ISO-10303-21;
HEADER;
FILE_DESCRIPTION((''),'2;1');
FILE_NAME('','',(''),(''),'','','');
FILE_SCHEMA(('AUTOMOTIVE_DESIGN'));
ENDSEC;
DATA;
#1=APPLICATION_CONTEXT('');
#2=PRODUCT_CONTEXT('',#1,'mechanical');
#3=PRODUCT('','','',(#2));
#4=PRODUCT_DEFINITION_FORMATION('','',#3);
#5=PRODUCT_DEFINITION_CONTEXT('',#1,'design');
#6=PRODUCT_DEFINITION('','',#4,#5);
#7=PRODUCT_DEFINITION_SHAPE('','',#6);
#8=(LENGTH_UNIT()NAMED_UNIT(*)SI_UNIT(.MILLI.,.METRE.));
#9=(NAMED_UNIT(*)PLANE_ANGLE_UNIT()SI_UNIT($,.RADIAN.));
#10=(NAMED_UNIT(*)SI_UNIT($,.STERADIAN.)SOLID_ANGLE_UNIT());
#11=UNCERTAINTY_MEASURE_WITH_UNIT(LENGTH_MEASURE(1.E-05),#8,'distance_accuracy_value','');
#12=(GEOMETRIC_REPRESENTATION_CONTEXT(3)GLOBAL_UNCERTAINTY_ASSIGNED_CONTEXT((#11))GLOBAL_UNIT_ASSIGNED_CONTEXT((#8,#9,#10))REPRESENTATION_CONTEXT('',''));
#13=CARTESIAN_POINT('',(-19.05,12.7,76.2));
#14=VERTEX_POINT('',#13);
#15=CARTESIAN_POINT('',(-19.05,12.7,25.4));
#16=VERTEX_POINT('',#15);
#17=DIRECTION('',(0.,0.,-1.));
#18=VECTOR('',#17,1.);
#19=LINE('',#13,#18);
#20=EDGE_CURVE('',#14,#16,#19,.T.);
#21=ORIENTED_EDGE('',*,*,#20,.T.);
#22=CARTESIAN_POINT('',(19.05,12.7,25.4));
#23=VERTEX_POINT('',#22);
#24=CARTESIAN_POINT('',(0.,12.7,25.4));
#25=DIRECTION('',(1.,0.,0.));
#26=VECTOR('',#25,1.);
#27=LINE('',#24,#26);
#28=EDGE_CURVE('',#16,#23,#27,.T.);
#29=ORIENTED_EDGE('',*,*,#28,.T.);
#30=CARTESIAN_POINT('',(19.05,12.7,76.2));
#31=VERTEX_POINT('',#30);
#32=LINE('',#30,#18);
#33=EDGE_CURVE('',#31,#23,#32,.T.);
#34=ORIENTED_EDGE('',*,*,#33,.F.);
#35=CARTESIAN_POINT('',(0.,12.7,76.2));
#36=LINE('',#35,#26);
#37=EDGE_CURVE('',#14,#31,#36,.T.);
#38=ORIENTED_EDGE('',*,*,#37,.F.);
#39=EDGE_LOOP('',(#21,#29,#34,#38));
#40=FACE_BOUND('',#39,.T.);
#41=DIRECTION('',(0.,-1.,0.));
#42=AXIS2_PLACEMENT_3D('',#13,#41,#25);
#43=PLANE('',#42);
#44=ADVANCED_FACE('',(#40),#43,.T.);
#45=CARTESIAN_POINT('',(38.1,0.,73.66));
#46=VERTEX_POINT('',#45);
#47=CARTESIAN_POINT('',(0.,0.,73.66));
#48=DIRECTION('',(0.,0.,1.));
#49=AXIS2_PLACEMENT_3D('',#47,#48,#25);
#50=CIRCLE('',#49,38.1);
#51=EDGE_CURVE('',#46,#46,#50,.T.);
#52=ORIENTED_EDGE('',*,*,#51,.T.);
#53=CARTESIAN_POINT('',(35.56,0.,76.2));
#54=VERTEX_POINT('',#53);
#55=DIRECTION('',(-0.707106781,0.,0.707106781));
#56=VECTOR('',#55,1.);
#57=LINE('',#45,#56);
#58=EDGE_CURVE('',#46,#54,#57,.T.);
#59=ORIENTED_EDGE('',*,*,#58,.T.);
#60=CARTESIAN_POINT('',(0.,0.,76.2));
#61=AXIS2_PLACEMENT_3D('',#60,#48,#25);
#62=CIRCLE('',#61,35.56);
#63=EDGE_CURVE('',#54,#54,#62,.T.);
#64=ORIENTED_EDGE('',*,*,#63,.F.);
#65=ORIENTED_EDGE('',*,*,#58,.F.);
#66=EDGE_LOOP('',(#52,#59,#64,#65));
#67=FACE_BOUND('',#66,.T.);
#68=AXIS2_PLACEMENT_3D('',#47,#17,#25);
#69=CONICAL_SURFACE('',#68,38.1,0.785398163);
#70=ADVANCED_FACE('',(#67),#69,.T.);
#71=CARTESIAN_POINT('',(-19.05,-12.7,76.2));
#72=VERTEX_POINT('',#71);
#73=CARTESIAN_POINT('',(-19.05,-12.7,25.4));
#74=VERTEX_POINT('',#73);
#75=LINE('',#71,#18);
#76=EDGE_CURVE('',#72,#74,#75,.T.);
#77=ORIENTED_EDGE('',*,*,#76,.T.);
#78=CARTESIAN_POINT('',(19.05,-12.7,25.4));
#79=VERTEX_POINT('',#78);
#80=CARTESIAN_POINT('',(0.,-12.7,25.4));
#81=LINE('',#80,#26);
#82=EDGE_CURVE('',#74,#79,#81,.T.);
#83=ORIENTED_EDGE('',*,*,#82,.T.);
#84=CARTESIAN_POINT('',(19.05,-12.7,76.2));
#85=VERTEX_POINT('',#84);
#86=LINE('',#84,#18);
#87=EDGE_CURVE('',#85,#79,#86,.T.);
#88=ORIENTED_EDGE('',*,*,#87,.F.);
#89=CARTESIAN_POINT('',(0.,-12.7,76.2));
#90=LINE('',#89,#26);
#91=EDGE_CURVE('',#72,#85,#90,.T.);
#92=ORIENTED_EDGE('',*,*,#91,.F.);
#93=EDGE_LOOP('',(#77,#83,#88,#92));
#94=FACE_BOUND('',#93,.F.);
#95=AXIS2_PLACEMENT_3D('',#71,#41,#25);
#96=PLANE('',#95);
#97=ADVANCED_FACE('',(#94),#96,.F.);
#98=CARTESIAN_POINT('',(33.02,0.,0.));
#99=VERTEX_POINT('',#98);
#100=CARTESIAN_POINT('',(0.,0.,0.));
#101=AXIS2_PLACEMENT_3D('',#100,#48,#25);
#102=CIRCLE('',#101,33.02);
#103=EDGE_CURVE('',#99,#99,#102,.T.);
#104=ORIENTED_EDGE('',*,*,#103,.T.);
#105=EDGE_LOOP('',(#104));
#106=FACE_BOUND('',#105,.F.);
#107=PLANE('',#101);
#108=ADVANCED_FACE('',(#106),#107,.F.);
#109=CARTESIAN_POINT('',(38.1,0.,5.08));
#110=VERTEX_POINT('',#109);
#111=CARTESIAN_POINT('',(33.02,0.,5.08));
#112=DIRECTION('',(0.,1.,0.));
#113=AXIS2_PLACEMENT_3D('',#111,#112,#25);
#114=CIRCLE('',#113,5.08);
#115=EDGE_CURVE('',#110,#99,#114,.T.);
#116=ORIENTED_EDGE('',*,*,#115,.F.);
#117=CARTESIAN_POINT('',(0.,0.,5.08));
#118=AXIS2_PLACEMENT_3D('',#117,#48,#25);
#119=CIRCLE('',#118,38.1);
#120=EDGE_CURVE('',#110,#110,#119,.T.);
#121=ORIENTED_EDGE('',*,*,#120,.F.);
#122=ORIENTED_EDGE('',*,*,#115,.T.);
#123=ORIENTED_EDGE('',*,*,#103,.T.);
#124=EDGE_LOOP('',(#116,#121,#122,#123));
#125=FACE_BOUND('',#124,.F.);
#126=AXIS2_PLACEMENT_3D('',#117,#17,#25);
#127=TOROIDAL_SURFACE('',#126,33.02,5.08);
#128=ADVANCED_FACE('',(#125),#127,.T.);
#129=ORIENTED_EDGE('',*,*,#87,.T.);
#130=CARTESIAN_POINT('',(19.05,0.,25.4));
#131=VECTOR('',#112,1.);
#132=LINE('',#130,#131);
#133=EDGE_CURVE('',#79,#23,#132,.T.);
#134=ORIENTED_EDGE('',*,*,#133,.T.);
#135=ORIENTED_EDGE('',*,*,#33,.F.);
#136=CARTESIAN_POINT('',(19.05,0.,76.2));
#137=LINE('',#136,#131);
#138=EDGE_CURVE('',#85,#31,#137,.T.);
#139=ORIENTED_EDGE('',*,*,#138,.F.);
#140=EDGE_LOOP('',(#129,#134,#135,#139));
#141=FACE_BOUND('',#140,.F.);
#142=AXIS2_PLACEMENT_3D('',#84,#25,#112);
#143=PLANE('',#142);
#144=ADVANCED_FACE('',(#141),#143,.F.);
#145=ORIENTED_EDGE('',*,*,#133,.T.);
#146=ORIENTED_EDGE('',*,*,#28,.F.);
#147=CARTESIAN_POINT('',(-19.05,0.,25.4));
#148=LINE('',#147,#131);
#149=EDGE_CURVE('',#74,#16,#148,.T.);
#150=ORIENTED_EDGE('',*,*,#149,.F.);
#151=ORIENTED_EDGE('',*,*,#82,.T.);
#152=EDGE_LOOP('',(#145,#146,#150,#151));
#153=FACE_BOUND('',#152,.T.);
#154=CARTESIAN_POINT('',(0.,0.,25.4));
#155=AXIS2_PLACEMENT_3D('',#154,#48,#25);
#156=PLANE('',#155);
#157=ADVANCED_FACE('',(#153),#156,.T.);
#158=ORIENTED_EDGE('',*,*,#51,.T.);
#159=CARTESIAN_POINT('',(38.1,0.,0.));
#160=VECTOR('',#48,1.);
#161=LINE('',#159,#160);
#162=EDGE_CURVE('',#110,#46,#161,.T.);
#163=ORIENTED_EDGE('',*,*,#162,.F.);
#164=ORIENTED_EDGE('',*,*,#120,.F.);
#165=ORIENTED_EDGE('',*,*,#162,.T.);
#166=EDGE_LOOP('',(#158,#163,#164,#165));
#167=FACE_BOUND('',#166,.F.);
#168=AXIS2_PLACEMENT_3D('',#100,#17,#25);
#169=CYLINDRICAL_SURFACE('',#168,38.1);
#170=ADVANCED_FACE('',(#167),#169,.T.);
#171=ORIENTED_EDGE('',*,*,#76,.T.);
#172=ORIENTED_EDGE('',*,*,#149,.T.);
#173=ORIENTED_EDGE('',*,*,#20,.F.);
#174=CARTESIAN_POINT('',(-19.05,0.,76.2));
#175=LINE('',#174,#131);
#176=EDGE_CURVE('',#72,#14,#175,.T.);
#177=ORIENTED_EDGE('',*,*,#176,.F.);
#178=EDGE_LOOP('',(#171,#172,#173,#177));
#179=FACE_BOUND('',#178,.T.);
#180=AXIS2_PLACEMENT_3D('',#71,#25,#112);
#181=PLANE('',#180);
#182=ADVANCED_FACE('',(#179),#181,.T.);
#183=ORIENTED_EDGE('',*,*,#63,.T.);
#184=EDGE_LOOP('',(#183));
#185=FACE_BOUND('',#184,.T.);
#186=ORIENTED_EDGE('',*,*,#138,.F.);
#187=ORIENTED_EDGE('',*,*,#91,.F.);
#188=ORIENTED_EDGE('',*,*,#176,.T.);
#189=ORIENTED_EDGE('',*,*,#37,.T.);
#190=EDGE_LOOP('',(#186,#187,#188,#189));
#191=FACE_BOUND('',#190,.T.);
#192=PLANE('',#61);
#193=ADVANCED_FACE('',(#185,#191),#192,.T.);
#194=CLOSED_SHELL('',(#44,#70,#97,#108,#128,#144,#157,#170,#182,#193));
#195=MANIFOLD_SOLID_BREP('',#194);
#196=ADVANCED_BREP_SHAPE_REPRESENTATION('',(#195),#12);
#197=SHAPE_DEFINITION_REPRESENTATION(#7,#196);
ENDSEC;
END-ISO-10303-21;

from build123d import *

# Parameters (mm, degrees)
F0_R     = 38.1
F1_DEPTH = 76.2
F2_W     = 38.1
F2_H     = 25.4
F3_DEPTH = 50.8
F4_SIZE  = 2.54
F5_R     = 5.08


with BuildPart() as f1:
    # F0 (on Top) → F1 (new body)
    with BuildSketch(Plane.XY):
        Circle(F0_R)
    extrude(amount=F1_DEPTH)

    # F2 (on face) → F3 (cut)
    with BuildSketch(Plane.XY.offset(76.2)):
        Rectangle(F2_W, F2_H)
    extrude(amount=-F3_DEPTH, mode=Mode.SUBTRACT)

    # F4
    f4_edges = [f1.edges().sort_by_distance(p)[0] for p in [
        (-38.1, 0, 76.2),
    ]]
    chamfer(f4_edges, length=F4_SIZE)

    # F5
    f5_edges = [f1.edges().sort_by_distance(p)[0] for p in [
        (-38.1, 0, 0),
    ]]
    fillet(f5_edges, radius=F5_R)


solid = f1.part
